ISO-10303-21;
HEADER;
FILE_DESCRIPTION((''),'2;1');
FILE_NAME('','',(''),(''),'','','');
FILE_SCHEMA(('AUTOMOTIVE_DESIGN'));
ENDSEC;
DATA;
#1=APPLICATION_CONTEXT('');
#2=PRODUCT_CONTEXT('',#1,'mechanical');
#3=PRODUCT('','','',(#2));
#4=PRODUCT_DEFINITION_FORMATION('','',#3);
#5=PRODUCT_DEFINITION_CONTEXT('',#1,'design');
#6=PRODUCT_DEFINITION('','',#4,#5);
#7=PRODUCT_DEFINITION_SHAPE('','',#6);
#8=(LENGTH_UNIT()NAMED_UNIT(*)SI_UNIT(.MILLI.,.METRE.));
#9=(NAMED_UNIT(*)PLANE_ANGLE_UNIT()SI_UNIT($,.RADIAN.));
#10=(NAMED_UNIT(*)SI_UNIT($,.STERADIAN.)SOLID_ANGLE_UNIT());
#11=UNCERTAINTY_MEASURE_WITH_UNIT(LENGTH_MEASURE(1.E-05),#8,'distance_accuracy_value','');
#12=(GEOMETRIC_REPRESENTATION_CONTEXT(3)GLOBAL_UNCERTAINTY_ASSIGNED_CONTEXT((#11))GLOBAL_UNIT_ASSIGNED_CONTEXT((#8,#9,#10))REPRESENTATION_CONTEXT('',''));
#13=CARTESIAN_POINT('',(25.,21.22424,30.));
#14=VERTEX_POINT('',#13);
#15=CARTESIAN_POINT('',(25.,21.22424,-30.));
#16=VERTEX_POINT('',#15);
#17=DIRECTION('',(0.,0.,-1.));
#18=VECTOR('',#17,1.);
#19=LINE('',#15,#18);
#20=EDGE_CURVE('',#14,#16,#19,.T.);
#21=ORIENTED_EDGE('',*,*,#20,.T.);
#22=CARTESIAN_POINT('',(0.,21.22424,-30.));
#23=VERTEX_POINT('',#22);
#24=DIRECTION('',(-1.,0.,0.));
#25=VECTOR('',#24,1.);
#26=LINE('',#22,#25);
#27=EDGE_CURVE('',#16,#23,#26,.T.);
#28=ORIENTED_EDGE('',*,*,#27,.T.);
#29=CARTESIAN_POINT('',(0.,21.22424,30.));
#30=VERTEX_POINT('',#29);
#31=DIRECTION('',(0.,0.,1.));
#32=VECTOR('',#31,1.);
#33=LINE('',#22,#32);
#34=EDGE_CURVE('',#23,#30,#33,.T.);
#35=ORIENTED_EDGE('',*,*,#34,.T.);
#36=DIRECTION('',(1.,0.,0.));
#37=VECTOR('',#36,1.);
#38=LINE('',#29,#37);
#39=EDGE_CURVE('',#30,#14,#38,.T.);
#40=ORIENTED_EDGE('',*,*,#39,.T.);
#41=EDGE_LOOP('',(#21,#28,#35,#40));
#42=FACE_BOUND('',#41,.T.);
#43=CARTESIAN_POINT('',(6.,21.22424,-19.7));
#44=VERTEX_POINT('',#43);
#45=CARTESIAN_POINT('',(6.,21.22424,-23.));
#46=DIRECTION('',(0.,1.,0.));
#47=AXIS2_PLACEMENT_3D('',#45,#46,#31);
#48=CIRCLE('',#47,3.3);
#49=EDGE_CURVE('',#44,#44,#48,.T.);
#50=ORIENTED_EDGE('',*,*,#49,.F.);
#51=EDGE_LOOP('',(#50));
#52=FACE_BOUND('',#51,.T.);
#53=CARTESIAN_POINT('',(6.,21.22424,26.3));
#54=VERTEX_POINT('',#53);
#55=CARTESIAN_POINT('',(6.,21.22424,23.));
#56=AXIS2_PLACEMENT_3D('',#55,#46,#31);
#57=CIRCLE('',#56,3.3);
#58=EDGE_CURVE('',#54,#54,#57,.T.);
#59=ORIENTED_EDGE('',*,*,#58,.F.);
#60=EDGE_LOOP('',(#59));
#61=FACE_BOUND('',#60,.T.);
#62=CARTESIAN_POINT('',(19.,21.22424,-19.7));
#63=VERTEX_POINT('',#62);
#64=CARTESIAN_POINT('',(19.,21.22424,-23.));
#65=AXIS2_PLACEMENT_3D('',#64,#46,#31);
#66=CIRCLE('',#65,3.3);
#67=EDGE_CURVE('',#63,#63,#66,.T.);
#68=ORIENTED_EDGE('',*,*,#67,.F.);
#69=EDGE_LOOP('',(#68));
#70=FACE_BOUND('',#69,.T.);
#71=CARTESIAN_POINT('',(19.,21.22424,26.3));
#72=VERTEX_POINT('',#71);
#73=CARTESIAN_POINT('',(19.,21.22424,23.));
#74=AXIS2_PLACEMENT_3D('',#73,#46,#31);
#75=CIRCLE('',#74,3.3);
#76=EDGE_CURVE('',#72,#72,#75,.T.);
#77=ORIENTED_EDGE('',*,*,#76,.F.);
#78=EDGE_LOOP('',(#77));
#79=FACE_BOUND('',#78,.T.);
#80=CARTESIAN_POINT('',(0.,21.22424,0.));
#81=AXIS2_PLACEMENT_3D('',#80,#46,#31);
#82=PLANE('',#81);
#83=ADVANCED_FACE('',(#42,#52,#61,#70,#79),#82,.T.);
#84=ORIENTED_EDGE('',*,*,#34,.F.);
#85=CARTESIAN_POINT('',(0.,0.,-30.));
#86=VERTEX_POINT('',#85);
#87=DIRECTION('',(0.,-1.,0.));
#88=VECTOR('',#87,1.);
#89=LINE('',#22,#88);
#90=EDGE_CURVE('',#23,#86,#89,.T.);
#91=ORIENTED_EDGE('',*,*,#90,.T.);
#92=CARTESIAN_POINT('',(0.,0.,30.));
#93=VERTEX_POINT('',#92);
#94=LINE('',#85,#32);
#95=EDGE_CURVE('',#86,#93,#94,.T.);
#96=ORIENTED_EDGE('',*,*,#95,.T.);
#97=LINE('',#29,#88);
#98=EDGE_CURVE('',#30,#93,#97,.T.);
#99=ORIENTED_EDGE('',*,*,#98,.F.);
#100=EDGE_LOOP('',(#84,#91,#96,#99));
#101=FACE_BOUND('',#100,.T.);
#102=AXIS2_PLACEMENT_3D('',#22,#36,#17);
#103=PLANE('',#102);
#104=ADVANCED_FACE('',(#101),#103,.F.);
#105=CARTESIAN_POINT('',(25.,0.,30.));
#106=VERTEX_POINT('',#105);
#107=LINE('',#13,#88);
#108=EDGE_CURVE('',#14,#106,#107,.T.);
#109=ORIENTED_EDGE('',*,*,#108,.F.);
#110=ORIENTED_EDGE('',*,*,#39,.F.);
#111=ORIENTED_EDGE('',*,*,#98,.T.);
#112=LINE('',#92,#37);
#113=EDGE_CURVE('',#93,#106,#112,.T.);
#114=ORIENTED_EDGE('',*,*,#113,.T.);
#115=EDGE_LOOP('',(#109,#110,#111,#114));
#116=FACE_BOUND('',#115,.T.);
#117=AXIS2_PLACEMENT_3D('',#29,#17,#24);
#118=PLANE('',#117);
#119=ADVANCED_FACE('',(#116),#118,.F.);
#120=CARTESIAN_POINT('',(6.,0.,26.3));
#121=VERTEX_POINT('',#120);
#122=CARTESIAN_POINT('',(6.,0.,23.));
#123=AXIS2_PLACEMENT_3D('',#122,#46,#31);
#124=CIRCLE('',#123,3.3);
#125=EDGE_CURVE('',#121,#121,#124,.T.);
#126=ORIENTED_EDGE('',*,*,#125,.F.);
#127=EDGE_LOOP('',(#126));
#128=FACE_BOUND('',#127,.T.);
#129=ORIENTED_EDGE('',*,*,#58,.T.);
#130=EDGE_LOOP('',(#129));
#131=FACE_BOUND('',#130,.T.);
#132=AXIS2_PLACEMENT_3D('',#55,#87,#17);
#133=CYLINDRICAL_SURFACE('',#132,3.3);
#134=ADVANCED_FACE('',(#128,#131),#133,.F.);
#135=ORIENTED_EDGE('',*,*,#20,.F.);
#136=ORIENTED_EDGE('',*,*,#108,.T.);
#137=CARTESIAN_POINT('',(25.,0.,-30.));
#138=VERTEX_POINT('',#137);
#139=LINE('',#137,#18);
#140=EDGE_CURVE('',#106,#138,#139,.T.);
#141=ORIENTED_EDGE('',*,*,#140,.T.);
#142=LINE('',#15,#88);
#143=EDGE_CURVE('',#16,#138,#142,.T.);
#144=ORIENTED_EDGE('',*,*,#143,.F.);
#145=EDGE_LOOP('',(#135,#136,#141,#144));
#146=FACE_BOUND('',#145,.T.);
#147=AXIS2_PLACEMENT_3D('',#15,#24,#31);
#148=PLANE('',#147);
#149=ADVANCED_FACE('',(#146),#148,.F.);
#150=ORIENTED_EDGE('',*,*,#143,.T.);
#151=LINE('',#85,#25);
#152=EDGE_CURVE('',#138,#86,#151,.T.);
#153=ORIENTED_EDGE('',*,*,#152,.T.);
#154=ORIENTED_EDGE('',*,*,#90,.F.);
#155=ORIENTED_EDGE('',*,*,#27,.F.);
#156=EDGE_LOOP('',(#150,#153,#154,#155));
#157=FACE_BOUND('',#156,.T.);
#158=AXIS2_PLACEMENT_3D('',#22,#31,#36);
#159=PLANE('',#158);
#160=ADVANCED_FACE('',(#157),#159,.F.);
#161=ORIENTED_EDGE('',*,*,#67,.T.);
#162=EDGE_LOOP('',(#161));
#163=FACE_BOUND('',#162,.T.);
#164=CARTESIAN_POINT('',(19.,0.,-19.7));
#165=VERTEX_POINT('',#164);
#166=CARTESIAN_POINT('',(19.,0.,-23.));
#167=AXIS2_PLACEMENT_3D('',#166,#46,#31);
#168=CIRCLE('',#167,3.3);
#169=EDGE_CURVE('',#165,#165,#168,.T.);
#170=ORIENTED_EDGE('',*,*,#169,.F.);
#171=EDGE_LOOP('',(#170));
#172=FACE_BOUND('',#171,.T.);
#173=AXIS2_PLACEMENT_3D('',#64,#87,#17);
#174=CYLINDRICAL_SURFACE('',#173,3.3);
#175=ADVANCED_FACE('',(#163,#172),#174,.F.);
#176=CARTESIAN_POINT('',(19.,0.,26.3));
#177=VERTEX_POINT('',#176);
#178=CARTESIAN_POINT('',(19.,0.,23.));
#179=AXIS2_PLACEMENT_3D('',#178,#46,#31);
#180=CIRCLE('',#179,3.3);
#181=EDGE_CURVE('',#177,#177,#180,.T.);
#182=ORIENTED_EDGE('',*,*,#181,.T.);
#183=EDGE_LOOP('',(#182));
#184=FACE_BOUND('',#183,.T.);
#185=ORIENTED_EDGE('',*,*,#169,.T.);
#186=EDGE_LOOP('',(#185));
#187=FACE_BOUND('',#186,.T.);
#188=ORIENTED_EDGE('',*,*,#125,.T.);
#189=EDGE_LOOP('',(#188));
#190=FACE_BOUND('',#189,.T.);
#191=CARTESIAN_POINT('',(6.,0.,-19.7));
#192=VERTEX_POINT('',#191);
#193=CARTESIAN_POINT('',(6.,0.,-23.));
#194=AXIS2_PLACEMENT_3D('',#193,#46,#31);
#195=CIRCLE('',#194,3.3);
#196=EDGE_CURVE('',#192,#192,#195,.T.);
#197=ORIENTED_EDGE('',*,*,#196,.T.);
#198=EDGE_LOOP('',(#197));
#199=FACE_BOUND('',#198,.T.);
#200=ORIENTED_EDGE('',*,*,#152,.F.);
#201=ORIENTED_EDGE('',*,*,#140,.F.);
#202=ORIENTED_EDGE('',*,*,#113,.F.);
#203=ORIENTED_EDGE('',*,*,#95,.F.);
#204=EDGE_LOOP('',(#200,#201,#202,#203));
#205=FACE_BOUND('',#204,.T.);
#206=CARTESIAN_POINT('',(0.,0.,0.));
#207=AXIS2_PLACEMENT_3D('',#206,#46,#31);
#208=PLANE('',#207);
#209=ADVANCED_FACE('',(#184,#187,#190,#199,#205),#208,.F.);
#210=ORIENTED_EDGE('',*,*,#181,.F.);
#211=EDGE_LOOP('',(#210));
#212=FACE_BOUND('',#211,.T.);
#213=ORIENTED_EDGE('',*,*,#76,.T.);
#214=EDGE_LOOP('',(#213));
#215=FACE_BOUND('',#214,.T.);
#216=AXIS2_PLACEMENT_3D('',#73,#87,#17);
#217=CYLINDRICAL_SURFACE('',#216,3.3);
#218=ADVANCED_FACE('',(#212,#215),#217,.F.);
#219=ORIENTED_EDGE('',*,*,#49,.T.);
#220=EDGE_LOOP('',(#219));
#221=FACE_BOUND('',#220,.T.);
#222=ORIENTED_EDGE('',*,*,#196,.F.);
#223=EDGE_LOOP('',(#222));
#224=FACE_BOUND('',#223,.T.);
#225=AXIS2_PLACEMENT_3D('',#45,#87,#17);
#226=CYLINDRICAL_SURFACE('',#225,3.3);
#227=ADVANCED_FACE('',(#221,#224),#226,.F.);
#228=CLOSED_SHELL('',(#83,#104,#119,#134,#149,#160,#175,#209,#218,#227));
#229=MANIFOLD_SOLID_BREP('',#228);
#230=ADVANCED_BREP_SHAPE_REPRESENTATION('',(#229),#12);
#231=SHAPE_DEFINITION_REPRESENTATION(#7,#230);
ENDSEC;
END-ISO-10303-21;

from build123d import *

# Parameters (mm, degrees)
SKETCH1_W           = 25
SKETCH1_H           = 60
SKETCH1_R           = 3.3
BOSS_EXTRUDE1_DEPTH = 21.22424


with BuildPart() as part:
    # Sketch1 → Boss-Extrude1 (new body)
    with BuildSketch(Plane(origin=(0, 0, 0), x_dir=(1, 0, 0), z_dir=(0, 1, 0))):
        with Locations((12.5, 0)):
            Rectangle(SKETCH1_W, SKETCH1_H)
        with Locations((6, 23)):
            Circle(SKETCH1_R, mode=Mode.SUBTRACT)
        with Locations((19, 23)):
            Circle(SKETCH1_R, mode=Mode.SUBTRACT)
        with Locations((19, -23)):
            Circle(SKETCH1_R, mode=Mode.SUBTRACT)
        with Locations((6, -23)):
            Circle(SKETCH1_R, mode=Mode.SUBTRACT)
    extrude(amount=BOSS_EXTRUDE1_DEPTH)


solid = part.part
